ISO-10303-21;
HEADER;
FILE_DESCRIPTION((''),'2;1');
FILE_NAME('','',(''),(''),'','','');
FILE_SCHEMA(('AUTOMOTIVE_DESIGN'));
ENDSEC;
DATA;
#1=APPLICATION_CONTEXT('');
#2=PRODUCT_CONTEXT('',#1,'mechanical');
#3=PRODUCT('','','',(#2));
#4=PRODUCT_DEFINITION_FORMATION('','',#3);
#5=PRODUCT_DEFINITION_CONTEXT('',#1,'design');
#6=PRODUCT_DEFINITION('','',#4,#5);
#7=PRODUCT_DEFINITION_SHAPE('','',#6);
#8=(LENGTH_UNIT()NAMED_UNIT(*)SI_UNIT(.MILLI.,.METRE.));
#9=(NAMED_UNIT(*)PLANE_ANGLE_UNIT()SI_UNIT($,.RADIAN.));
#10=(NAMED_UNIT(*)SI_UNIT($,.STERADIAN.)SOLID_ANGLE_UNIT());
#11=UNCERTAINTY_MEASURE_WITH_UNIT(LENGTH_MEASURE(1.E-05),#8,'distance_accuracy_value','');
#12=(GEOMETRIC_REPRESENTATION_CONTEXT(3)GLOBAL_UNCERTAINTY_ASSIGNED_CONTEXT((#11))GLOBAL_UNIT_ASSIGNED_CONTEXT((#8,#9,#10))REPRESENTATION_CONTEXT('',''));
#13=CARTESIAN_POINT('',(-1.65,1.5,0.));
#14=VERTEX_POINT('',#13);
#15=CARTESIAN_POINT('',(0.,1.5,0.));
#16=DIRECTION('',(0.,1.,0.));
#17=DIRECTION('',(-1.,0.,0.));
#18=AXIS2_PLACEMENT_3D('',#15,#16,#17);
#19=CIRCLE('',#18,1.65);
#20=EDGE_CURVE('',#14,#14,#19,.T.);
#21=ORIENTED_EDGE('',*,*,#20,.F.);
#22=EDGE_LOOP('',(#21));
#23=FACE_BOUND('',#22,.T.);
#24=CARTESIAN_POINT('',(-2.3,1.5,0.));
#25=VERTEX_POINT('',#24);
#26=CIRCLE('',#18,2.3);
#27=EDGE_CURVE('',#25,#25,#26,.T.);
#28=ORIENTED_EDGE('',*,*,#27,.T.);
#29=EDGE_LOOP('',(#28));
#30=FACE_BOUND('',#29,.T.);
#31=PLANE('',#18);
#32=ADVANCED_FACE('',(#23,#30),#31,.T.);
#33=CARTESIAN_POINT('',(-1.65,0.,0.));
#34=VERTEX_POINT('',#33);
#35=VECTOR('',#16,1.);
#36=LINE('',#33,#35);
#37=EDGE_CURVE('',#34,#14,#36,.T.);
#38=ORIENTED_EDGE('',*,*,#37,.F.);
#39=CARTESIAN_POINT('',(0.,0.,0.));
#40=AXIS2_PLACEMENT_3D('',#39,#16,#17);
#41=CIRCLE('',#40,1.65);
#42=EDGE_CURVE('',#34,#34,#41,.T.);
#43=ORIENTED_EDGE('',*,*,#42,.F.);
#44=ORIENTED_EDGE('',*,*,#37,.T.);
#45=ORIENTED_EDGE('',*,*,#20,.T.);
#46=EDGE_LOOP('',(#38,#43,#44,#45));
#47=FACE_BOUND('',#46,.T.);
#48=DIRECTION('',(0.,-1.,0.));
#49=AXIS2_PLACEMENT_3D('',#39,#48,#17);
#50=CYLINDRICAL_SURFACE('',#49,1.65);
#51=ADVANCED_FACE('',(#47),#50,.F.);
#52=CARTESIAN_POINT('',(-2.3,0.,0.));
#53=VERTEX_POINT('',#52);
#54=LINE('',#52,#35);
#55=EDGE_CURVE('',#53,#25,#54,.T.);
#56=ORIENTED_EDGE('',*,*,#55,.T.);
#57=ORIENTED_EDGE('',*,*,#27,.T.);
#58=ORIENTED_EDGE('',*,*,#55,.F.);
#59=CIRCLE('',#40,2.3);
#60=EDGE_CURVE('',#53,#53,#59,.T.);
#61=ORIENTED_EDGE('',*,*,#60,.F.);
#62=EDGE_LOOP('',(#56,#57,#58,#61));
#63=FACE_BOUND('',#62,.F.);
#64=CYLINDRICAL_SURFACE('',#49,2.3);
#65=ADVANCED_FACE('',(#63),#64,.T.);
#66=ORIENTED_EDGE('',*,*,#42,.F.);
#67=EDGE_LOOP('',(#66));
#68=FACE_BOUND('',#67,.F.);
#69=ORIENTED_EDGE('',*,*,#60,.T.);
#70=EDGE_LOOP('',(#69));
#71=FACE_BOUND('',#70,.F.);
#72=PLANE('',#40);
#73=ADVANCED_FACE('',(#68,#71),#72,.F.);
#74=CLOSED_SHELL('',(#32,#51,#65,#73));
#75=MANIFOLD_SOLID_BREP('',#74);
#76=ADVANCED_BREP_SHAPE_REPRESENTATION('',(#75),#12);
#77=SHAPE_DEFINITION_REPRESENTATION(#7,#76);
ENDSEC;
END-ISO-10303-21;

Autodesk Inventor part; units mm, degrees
ref_plane "YZ Plane" through (0, 0, 0) normal (1, 0, 0) x (0, 1, 0)
ref_plane "XZ Plane" through (0, 0, 0) normal (0, 1, 0) x (-1, 0, 0)
ref_plane "XY Plane" through (0, 0, 0) normal (0, 0, 1) x (1, 0, 0)
sketch "Sketch1" plane through (0, 0, 0) normal (0, 1, 0) x (-1, 0, 0)
  circle A0 centre (0, 0) radius 2.3
  circle A1 centre (0, 0) radius 1.65
  dimension "d0" = 3.3
  dimension "d1" = 0.65
extrude "Extrusion1" add sketch "Sketch1" along normal blind 1.5
properties part number "Arandela HX711"
